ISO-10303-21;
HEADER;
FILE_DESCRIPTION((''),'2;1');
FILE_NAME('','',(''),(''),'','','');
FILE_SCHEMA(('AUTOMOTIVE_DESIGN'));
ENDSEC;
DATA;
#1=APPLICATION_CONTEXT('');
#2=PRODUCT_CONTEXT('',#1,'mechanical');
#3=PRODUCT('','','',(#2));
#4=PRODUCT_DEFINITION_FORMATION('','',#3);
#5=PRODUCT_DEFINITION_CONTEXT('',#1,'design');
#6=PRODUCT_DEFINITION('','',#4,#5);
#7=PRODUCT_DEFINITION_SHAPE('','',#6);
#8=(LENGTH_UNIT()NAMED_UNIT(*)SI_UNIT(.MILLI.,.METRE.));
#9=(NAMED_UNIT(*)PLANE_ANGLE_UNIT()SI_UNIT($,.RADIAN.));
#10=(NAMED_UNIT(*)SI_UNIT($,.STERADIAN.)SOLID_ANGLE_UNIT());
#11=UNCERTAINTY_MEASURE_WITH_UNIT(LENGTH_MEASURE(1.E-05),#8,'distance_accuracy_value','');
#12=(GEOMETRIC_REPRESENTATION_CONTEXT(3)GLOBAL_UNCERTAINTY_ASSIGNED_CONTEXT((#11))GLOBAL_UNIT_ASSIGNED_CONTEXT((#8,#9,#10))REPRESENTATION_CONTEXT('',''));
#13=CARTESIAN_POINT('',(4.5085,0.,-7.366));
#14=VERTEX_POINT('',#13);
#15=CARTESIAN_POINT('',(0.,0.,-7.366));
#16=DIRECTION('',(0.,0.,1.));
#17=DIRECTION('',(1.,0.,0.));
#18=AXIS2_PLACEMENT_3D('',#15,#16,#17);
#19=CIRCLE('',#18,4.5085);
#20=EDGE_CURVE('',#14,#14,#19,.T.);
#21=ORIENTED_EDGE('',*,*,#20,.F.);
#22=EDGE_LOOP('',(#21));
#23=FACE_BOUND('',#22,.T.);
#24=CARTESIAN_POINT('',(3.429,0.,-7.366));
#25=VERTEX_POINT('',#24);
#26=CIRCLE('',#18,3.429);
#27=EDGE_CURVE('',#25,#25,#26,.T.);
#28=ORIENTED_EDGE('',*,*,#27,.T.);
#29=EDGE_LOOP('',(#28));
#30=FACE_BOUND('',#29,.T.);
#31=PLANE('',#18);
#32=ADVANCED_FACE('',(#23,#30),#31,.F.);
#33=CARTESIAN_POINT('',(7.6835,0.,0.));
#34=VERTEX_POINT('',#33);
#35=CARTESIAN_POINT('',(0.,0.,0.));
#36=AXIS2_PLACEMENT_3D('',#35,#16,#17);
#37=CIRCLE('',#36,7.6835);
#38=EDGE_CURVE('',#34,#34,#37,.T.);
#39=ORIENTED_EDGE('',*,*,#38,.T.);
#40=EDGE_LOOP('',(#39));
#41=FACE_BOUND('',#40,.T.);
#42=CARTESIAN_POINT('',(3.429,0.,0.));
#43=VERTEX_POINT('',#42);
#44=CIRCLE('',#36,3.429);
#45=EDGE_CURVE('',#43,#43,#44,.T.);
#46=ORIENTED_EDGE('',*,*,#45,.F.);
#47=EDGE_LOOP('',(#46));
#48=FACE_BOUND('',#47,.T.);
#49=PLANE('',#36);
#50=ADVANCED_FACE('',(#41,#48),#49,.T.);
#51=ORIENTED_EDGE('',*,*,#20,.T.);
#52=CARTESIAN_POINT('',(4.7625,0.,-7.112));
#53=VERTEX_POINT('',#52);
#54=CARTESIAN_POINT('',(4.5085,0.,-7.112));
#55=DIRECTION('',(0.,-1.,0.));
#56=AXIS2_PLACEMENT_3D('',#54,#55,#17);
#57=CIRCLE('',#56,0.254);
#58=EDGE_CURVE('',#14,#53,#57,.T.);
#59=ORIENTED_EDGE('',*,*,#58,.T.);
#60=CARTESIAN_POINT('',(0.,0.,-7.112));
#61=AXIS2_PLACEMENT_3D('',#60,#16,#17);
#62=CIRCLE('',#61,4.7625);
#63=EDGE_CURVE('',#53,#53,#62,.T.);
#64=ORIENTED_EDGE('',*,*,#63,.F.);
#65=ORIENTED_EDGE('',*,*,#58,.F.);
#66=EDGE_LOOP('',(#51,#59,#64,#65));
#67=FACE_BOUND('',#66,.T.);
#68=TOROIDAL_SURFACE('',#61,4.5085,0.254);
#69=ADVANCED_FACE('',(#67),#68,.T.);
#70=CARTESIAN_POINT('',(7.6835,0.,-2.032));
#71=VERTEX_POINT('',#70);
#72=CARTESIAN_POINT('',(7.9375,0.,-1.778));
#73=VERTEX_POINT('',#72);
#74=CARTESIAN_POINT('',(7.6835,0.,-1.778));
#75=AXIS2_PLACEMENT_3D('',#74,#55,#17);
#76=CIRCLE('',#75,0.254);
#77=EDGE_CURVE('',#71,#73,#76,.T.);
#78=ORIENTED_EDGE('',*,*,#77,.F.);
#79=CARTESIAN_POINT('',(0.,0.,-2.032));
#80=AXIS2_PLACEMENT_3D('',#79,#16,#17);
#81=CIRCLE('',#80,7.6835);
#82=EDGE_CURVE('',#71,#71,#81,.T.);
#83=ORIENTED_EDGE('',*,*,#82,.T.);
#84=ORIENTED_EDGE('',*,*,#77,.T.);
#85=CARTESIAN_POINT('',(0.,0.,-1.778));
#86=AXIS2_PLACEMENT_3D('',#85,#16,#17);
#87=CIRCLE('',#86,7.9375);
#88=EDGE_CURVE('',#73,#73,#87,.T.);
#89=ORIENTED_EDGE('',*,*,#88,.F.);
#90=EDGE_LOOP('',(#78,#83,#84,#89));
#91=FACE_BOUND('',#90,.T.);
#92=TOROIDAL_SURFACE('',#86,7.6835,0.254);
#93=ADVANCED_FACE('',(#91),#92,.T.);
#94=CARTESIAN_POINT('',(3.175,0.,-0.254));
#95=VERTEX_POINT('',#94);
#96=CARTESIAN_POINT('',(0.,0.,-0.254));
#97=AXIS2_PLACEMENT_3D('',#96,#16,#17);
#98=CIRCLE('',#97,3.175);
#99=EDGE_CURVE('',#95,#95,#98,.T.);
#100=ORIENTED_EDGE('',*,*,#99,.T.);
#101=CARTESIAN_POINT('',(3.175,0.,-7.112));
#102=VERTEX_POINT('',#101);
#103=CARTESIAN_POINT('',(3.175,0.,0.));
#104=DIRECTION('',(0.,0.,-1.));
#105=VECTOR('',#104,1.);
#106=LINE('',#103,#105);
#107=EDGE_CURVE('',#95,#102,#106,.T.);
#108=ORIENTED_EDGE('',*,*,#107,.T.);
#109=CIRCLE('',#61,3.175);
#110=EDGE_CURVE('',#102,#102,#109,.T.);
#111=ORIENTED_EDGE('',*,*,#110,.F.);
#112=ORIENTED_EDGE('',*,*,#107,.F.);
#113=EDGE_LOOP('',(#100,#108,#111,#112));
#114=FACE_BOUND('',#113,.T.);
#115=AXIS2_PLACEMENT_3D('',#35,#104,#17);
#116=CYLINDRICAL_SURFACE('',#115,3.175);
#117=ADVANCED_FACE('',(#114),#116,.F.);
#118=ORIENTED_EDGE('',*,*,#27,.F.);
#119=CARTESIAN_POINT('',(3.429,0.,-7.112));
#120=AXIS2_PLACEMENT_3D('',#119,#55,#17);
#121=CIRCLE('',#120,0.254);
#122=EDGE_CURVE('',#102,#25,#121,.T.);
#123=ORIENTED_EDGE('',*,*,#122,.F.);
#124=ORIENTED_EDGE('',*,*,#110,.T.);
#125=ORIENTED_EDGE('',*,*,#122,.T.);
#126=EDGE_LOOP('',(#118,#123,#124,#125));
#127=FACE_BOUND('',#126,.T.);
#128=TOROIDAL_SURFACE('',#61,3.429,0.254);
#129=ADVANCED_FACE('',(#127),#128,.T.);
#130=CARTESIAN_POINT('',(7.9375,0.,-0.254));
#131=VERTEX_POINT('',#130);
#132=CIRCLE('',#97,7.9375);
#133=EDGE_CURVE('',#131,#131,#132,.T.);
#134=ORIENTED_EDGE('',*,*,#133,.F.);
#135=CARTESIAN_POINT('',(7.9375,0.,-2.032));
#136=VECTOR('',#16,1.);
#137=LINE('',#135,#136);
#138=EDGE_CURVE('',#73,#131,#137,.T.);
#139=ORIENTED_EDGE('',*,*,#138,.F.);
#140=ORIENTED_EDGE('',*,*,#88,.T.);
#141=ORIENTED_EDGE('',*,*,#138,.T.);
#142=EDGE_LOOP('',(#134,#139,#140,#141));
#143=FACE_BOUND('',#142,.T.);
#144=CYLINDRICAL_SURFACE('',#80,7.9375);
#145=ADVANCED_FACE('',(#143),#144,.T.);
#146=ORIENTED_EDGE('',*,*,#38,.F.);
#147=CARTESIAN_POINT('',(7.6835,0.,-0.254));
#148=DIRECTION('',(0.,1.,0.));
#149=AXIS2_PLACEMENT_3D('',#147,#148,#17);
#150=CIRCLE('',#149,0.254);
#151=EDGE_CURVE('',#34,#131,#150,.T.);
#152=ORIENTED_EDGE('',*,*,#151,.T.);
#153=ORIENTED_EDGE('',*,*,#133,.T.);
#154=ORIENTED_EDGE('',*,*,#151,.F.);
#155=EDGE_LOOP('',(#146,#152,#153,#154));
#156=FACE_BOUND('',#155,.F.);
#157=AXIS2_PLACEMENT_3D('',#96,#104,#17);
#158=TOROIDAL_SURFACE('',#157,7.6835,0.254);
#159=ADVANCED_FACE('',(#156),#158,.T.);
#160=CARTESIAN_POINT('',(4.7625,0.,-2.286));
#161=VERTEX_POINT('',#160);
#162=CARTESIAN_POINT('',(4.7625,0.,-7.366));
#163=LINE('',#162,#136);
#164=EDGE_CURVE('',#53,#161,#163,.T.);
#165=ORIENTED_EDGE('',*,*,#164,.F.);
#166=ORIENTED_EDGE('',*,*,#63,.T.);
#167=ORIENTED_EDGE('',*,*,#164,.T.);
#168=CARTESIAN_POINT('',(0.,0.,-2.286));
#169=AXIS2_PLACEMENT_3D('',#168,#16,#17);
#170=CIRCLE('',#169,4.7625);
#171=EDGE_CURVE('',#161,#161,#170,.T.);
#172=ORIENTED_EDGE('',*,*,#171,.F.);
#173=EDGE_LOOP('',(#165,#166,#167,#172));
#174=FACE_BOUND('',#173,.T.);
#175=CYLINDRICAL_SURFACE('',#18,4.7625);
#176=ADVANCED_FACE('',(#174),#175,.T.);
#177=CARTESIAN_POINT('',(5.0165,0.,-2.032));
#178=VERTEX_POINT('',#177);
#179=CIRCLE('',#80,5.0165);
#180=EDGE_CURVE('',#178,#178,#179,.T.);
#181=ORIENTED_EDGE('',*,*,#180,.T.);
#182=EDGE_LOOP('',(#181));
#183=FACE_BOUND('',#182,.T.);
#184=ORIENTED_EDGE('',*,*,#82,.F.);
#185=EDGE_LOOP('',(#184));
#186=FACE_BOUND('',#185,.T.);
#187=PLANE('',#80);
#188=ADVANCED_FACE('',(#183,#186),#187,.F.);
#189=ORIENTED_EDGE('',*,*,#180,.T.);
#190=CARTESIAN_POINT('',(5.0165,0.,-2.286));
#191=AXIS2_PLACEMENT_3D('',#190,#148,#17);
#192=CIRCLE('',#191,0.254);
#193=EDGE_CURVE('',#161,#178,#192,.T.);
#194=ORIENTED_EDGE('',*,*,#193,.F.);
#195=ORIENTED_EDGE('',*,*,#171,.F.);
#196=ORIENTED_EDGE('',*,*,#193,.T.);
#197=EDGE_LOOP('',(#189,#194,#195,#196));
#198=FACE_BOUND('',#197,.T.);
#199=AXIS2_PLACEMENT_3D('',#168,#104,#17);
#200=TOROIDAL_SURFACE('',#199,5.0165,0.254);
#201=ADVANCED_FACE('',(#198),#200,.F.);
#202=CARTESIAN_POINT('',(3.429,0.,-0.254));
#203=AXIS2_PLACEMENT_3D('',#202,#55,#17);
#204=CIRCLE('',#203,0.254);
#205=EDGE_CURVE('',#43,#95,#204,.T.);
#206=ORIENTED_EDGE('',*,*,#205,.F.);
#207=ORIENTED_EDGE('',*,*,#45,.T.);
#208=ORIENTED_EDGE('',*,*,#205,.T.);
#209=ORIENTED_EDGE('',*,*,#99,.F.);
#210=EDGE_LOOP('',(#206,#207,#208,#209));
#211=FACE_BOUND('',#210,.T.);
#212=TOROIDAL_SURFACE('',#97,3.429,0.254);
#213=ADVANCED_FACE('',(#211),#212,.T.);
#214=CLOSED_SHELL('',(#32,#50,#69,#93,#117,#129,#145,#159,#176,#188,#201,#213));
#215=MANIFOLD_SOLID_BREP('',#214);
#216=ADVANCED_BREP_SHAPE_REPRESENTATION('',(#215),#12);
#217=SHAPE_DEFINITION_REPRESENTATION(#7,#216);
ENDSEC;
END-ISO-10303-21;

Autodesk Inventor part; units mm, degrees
ref_plane "YZ Plane" through (0, 0, 0) normal (1, 0, 0) x (0, 1, 0)
ref_plane "XZ Plane" through (0, 0, 0) normal (0, 1, 0) x (-1, 0, 0)
ref_plane "XY Plane" through (0, 0, 0) normal (0, 0, 1) x (1, 0, 0)
sketch "Sketch2" plane through (0, 0, 0) normal (0, 1, 0) x (-1, 0, 0)
  line L0 (0, -8.8392) -> (0, 1.4732) construction
  line L1 (-7.9375, 0) -> (-3.175, 0)
  line L2 (-3.175, 0) -> (-3.175, -7.366)
  line L3 (-3.175, -7.366) -> (-4.7625, -7.366)
  line L4 (-4.7625, -7.366) -> (-4.7625, -2.032)
  line L5 (-4.7625, -2.032) -> (-7.9375, -2.032)
  line L6 (-7.9375, -2.032) -> (-7.9375, 0)
  point P0 (0, 0)
  dimension "d0" = 2.032
  dimension "d1" = 6.35
  dimension "d2" = 9.525
  dimension "d5" = 15.875
  dimension "d9" = 7.366
revolve "Revolution1" add sketch "Sketch2" angle 360 about axis through (0, 0, 0) along (0, 0, 1)
fillet "Fillet1" radius 0.254 6 edges at (-4.7625, 0, -2.032) (-7.9375, 0, -2.032) (-7.9375, 0, 0) (-4.7625, 0, -7.366) (-3.175, 0, -7.366) (-3.175, 0, 0)
properties part number "BUSHING,SHAFT,END_EFFECTOR,ARM" material "Brass, Soft Yellow"
